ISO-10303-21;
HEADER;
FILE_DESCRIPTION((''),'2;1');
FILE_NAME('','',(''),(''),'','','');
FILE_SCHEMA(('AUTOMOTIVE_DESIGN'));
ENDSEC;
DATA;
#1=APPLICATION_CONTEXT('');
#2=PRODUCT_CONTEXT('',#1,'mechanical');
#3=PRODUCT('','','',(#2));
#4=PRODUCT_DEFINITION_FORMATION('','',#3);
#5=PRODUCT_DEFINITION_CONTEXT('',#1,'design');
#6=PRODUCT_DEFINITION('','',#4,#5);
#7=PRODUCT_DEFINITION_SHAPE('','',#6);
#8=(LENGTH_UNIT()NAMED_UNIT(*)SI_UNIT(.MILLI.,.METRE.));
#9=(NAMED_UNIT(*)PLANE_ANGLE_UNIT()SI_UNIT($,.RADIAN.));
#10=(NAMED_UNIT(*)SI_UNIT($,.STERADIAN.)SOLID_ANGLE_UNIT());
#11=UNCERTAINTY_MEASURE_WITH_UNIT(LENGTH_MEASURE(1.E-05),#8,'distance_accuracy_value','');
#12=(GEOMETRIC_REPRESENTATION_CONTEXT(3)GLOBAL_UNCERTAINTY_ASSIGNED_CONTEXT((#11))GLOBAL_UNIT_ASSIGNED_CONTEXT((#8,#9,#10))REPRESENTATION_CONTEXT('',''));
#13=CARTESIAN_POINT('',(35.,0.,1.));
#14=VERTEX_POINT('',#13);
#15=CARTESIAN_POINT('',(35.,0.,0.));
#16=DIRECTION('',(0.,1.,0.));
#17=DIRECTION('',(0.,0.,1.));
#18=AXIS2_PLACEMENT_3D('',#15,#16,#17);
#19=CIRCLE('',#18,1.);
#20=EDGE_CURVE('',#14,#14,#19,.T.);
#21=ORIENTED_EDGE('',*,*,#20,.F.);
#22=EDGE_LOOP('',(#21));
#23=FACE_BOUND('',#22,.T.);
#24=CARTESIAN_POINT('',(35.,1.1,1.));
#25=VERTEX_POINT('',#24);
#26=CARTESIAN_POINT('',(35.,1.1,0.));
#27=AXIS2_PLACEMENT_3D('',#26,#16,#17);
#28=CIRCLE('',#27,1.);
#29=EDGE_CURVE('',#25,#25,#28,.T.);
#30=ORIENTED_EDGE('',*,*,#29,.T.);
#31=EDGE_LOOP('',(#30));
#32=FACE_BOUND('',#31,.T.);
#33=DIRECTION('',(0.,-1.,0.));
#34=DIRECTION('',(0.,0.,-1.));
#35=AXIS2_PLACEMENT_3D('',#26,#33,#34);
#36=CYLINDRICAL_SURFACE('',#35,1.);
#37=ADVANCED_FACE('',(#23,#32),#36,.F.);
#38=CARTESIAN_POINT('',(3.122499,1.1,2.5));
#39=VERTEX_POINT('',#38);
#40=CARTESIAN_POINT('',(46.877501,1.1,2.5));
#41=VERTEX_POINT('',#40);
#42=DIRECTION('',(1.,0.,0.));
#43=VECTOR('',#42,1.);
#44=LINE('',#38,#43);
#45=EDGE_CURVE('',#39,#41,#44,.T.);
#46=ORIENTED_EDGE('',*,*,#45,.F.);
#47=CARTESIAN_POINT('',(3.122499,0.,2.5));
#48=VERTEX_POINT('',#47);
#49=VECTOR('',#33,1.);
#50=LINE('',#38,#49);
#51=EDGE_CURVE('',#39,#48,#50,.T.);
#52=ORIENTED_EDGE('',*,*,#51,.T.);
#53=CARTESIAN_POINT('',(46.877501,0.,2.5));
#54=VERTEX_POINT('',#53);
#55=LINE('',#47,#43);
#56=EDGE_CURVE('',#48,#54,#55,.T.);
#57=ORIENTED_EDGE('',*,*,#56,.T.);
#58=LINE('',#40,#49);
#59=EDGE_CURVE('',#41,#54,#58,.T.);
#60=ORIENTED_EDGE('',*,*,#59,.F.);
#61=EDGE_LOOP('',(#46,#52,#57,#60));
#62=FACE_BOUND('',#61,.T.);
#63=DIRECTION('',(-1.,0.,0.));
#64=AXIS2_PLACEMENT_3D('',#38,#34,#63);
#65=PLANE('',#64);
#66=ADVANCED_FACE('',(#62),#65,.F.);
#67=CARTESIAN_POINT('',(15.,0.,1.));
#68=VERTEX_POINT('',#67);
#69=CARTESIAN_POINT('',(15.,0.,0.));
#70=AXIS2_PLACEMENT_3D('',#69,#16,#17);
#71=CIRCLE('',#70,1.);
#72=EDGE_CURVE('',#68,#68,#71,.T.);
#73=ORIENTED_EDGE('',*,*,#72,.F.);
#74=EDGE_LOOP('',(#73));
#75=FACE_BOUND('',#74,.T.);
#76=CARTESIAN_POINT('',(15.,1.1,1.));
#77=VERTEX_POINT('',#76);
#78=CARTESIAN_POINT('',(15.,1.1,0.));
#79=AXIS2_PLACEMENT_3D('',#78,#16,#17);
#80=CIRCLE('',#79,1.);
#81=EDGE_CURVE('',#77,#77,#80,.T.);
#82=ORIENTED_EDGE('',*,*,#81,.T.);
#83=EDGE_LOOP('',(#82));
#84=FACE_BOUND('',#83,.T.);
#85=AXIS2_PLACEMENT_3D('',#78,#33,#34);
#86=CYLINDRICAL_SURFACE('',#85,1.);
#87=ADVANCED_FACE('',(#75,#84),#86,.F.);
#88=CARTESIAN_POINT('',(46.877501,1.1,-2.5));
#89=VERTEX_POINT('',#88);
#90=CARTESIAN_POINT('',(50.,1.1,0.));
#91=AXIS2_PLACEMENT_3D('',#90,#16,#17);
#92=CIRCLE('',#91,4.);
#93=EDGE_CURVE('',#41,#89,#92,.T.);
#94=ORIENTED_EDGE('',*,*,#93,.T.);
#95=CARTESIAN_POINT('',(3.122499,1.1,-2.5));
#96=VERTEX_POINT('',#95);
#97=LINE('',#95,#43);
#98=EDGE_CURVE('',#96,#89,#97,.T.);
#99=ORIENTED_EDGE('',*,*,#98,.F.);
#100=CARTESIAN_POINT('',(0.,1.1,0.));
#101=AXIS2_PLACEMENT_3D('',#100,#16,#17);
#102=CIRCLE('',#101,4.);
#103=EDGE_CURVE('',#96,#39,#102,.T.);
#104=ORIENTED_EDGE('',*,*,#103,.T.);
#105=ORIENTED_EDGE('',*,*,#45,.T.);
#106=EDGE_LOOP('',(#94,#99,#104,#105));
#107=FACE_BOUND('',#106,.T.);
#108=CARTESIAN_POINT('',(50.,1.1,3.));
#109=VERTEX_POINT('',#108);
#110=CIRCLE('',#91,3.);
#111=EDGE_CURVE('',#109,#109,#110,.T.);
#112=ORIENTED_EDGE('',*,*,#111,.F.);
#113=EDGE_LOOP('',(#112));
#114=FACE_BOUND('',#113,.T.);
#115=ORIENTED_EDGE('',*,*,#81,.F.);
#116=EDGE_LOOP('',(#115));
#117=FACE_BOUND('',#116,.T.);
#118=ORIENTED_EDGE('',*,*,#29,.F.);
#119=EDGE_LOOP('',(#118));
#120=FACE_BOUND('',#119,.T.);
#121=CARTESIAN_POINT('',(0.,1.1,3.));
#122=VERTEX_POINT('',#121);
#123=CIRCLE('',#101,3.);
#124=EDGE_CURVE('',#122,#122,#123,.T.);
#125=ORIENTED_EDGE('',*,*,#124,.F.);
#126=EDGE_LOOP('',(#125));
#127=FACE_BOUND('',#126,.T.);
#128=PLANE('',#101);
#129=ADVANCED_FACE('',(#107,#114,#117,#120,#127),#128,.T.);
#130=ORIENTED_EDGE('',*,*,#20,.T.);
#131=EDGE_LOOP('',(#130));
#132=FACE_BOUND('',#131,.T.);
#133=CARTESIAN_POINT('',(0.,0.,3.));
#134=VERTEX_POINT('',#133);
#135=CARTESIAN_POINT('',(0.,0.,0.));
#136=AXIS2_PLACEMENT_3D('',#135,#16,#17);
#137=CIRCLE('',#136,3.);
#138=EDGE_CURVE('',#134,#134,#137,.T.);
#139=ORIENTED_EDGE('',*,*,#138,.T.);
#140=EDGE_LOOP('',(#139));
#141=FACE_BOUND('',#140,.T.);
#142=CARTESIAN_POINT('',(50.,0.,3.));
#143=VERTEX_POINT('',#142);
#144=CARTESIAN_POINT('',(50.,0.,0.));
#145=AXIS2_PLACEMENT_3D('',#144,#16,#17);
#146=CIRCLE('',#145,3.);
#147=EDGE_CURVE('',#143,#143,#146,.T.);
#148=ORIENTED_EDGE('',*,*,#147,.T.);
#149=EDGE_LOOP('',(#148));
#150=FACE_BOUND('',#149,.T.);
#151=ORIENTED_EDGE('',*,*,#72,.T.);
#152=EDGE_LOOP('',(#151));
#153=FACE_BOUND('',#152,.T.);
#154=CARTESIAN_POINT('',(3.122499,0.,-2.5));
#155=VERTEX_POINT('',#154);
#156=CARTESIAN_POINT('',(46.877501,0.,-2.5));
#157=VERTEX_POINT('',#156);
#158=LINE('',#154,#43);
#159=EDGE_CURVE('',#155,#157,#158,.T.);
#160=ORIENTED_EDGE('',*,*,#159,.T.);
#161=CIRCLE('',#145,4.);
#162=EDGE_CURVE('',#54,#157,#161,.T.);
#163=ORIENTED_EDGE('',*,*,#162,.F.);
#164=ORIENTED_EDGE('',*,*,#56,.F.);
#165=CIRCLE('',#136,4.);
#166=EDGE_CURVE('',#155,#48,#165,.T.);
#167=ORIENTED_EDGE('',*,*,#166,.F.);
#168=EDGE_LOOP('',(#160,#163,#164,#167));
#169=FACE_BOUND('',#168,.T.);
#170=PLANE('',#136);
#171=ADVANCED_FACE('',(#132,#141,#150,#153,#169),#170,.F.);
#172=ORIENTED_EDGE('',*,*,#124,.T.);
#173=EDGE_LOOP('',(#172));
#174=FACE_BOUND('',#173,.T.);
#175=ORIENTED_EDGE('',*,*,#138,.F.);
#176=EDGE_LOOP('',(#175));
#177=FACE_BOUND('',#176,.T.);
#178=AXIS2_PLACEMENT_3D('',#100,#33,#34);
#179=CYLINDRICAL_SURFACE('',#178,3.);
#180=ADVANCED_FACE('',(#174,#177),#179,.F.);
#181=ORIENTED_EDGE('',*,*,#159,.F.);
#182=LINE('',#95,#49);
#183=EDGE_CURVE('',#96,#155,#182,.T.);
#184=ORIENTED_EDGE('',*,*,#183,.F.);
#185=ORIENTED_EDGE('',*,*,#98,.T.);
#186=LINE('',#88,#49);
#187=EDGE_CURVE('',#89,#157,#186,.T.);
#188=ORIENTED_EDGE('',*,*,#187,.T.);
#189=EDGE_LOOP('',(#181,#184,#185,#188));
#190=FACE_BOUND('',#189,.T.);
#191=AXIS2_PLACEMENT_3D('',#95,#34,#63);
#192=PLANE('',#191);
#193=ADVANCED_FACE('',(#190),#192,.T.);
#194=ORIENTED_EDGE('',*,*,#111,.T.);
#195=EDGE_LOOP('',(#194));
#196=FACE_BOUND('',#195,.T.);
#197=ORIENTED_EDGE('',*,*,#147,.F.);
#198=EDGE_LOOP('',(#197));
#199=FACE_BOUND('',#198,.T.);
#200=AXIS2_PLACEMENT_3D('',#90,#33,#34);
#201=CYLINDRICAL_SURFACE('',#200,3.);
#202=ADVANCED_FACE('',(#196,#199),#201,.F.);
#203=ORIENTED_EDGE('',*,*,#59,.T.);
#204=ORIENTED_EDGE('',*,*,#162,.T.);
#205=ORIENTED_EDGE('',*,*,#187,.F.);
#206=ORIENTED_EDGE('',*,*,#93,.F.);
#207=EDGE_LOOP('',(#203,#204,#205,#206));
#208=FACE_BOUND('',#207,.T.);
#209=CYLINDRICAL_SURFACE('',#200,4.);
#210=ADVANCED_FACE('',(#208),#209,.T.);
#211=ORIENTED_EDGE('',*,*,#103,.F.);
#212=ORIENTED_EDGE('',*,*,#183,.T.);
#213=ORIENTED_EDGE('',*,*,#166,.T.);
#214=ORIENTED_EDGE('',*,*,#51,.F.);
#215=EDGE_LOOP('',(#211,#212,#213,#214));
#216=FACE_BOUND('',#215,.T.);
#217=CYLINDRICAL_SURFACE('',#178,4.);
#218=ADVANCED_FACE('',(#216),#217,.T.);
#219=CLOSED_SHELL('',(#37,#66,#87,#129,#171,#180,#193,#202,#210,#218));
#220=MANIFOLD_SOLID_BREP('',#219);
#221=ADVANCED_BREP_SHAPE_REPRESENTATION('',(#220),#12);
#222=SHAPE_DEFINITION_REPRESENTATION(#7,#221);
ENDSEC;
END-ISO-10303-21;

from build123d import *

# Parameters (mm, degrees)
SKETCH_4_R      = 1
SKETCH_4_R_2    = 3
EXTRUDE_1_DEPTH = 1.1


with BuildPart() as part:
    # 草图4 → 凸台-拉伸1 (new body)
    with BuildSketch(Plane(origin=(0, 0, 0), x_dir=(1, 0, 0), z_dir=(0, 1, 0))):
        with BuildLine():
            Line((3.122498999, -2.5), (46.877501001, -2.5))
            ThreePointArc((46.877501001, -2.5), (54, 0), (46.877501001, 2.5))
            Line((46.877501001, 2.5), (3.122498999, 2.5))
            ThreePointArc((3.122498999, 2.5), (-4, 0), (3.122498999, -2.5))
        make_face()
        with Locations(Location((15, 0, 0), (0, 0, 270))):
            Circle(SKETCH_4_R, mode=Mode.SUBTRACT)
        with Locations(Location((35, 0, 0), (0, 0, 270))):
            Circle(SKETCH_4_R, mode=Mode.SUBTRACT)
        with Locations(Location((0, 0, 0), (0, 0, 270))):
            Circle(SKETCH_4_R_2, mode=Mode.SUBTRACT)
        with Locations(Location((50, 0, 0), (0, 0, 270))):
            Circle(SKETCH_4_R_2, mode=Mode.SUBTRACT)
    extrude(amount=EXTRUDE_1_DEPTH)


solid = part.part
